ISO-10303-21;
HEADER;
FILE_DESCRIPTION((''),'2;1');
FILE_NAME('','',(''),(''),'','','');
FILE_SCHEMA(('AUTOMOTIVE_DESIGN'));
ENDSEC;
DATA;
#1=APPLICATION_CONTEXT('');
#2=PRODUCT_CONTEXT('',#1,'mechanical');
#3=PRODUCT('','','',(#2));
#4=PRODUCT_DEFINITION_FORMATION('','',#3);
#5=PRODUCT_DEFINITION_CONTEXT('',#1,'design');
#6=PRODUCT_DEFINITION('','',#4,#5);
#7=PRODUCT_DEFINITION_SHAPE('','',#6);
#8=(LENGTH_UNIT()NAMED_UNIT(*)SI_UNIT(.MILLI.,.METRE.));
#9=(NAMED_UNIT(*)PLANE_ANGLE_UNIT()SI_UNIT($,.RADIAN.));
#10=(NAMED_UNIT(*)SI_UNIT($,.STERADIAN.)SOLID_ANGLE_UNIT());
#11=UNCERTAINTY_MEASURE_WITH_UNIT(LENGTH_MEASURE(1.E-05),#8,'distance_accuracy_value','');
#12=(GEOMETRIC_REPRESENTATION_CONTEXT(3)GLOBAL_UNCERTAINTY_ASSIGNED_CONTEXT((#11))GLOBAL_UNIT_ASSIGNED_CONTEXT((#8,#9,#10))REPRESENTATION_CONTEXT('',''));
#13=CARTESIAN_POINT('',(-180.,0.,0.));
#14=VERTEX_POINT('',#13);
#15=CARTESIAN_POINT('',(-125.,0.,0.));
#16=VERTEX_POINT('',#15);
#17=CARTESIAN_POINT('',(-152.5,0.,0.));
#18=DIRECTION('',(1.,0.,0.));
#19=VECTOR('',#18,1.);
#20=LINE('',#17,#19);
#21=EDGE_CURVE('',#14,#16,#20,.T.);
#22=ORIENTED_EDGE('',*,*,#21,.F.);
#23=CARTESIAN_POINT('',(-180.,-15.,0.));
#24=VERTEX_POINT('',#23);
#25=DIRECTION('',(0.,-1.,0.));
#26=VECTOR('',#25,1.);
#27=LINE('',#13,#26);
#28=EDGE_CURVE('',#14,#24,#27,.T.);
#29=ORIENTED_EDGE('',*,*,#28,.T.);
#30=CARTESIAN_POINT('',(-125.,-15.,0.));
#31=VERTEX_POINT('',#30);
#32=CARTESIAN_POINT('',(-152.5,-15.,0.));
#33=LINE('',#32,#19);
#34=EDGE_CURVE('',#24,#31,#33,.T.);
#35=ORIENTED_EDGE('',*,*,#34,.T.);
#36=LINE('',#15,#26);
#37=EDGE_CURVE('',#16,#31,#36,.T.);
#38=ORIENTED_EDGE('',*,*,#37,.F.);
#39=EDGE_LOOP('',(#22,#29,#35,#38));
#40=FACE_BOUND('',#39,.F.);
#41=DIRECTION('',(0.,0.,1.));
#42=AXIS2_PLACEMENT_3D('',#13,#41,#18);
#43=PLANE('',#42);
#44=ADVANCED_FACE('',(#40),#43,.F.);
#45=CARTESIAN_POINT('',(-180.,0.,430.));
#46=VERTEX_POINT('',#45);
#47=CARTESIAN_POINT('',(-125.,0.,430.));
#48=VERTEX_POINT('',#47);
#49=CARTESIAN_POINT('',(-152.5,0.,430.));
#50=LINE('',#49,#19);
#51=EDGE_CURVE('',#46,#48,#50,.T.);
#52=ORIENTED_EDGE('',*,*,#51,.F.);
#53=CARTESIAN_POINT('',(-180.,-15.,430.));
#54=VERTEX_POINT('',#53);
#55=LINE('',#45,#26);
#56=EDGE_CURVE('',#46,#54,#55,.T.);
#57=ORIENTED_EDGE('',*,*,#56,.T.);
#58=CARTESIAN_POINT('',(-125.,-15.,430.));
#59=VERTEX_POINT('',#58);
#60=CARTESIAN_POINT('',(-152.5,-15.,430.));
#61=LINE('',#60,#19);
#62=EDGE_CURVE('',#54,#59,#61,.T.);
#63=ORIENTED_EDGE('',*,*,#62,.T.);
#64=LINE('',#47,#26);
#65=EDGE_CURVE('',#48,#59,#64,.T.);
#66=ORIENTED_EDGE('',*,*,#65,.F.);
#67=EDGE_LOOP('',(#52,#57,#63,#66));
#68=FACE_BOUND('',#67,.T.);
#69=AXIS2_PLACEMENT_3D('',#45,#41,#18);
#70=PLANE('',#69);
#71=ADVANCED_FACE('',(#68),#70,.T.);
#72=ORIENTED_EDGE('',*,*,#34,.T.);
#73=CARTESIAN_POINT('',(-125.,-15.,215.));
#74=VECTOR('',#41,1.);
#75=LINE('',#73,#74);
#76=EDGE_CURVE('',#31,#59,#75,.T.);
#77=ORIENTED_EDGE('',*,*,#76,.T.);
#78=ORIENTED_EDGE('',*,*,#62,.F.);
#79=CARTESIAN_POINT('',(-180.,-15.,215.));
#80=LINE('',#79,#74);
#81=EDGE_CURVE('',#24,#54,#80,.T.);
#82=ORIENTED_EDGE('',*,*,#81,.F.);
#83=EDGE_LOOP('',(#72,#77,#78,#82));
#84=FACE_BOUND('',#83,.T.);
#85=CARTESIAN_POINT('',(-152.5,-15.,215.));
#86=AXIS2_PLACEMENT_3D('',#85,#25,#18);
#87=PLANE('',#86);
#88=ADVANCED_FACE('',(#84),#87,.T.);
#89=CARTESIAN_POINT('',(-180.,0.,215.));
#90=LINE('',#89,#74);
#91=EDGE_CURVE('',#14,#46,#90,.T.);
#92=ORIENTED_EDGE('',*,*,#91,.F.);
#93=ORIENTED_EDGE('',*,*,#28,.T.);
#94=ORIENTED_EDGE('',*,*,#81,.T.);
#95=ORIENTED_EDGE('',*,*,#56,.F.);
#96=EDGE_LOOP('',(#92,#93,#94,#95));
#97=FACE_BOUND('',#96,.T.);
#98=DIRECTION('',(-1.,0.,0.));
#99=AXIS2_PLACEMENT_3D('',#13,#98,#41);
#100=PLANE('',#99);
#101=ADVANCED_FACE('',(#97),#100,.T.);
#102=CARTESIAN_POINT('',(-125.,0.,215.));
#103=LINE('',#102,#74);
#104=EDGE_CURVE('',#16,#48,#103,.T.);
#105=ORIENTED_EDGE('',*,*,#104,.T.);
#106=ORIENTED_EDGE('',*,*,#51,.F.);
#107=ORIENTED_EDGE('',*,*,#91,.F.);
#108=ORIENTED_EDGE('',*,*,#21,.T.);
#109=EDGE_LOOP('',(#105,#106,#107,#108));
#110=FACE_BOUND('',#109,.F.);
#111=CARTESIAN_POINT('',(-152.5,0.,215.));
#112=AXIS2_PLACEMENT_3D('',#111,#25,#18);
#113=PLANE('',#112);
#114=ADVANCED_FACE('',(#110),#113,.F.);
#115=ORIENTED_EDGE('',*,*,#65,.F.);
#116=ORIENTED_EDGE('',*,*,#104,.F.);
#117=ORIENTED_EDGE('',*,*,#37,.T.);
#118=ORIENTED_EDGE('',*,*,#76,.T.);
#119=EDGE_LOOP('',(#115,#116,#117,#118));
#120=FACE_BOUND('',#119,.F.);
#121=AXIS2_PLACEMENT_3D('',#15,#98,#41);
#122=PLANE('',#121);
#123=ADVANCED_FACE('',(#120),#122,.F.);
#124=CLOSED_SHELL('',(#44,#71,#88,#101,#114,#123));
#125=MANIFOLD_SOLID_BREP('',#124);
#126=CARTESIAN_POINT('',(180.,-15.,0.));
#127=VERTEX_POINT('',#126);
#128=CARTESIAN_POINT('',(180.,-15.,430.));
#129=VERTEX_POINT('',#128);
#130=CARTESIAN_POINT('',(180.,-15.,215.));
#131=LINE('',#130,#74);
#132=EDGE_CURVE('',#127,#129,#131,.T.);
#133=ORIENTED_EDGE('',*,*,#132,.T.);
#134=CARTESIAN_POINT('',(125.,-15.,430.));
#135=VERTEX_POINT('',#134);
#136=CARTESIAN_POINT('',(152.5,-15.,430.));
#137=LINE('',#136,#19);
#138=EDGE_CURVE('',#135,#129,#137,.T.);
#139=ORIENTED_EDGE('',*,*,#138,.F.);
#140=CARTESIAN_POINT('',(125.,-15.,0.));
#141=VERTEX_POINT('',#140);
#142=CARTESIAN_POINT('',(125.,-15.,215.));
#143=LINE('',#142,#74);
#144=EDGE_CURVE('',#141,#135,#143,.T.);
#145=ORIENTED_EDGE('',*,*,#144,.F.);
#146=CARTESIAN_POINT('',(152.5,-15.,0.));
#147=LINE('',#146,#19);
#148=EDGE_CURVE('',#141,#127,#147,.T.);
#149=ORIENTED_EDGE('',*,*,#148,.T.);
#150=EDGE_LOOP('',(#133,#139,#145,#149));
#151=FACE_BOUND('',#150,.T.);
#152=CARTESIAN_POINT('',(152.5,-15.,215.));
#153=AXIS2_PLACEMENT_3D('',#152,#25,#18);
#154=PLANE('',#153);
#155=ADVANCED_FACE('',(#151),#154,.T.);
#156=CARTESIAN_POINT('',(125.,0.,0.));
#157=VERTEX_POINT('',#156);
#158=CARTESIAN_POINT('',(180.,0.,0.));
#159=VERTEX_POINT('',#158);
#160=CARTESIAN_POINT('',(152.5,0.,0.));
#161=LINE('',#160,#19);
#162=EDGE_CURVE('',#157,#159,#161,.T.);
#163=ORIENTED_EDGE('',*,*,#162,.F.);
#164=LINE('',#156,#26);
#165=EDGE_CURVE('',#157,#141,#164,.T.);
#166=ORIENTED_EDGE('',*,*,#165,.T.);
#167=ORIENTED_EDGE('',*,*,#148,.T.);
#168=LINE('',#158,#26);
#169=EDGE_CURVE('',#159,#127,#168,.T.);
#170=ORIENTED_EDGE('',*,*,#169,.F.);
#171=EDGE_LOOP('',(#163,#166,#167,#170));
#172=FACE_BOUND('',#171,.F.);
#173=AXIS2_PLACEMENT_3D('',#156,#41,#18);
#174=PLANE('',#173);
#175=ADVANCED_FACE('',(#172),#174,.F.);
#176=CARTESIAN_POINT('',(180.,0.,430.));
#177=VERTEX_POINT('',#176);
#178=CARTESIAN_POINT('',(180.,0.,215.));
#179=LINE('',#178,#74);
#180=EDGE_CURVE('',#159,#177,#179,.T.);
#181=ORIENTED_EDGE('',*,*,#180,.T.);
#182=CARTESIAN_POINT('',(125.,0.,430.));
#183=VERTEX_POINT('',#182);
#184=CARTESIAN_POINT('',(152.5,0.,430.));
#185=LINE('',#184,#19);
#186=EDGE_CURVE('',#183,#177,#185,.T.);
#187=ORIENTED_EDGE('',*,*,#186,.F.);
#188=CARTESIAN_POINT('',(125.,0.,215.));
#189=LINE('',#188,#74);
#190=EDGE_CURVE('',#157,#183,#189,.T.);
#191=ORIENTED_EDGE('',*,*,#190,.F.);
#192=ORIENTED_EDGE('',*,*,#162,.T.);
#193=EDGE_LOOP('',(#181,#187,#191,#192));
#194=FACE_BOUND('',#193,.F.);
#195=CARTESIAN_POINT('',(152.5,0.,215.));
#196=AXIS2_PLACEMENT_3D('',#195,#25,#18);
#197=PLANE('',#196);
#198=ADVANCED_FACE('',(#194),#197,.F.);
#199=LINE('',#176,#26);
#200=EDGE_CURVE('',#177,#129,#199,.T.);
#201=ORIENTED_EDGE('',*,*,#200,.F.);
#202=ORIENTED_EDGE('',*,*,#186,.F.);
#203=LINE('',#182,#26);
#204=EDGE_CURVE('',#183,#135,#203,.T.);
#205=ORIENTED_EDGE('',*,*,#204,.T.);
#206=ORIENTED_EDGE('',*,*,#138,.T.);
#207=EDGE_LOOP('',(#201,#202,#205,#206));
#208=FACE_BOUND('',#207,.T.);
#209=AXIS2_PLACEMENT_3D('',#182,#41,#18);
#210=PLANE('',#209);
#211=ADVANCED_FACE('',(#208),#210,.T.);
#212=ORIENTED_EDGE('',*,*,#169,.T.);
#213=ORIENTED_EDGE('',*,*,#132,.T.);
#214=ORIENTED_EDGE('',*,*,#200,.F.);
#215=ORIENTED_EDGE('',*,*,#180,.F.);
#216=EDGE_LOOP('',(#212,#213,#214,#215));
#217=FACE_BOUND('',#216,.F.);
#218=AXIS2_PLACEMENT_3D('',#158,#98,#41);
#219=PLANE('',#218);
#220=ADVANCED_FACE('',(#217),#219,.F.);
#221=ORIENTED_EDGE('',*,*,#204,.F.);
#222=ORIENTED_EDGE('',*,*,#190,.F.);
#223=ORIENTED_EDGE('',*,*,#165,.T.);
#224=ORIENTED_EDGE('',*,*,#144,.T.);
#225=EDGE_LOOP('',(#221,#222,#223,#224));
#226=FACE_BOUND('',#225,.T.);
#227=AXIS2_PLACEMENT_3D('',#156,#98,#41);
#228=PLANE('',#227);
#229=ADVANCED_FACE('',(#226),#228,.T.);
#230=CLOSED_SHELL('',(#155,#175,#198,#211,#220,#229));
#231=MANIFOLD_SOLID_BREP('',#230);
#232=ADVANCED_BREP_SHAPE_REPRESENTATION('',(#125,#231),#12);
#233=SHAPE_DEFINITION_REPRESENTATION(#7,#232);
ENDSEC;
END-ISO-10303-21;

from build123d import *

# Parameters (mm, degrees)
F1_W     = 55
F1_H     = 430
F2_DEPTH = 15


with BuildPart() as f2:
    # F1 (on Front) → F2 (new body)
    with BuildSketch(Plane.XZ):
        with Locations((-152.5, 215)):
            Rectangle(F1_W, F1_H)
    extrude(amount=F2_DEPTH)


with BuildPart() as f2b:
    # F1 (on Front) → F2, piece 2 (new body)
    with BuildSketch(Plane.XZ):
        with Locations((152.5, 215)):
            Rectangle(F1_W, F1_H)
    extrude(amount=F2_DEPTH)


solid = Compound([f2.part, f2b.part])
